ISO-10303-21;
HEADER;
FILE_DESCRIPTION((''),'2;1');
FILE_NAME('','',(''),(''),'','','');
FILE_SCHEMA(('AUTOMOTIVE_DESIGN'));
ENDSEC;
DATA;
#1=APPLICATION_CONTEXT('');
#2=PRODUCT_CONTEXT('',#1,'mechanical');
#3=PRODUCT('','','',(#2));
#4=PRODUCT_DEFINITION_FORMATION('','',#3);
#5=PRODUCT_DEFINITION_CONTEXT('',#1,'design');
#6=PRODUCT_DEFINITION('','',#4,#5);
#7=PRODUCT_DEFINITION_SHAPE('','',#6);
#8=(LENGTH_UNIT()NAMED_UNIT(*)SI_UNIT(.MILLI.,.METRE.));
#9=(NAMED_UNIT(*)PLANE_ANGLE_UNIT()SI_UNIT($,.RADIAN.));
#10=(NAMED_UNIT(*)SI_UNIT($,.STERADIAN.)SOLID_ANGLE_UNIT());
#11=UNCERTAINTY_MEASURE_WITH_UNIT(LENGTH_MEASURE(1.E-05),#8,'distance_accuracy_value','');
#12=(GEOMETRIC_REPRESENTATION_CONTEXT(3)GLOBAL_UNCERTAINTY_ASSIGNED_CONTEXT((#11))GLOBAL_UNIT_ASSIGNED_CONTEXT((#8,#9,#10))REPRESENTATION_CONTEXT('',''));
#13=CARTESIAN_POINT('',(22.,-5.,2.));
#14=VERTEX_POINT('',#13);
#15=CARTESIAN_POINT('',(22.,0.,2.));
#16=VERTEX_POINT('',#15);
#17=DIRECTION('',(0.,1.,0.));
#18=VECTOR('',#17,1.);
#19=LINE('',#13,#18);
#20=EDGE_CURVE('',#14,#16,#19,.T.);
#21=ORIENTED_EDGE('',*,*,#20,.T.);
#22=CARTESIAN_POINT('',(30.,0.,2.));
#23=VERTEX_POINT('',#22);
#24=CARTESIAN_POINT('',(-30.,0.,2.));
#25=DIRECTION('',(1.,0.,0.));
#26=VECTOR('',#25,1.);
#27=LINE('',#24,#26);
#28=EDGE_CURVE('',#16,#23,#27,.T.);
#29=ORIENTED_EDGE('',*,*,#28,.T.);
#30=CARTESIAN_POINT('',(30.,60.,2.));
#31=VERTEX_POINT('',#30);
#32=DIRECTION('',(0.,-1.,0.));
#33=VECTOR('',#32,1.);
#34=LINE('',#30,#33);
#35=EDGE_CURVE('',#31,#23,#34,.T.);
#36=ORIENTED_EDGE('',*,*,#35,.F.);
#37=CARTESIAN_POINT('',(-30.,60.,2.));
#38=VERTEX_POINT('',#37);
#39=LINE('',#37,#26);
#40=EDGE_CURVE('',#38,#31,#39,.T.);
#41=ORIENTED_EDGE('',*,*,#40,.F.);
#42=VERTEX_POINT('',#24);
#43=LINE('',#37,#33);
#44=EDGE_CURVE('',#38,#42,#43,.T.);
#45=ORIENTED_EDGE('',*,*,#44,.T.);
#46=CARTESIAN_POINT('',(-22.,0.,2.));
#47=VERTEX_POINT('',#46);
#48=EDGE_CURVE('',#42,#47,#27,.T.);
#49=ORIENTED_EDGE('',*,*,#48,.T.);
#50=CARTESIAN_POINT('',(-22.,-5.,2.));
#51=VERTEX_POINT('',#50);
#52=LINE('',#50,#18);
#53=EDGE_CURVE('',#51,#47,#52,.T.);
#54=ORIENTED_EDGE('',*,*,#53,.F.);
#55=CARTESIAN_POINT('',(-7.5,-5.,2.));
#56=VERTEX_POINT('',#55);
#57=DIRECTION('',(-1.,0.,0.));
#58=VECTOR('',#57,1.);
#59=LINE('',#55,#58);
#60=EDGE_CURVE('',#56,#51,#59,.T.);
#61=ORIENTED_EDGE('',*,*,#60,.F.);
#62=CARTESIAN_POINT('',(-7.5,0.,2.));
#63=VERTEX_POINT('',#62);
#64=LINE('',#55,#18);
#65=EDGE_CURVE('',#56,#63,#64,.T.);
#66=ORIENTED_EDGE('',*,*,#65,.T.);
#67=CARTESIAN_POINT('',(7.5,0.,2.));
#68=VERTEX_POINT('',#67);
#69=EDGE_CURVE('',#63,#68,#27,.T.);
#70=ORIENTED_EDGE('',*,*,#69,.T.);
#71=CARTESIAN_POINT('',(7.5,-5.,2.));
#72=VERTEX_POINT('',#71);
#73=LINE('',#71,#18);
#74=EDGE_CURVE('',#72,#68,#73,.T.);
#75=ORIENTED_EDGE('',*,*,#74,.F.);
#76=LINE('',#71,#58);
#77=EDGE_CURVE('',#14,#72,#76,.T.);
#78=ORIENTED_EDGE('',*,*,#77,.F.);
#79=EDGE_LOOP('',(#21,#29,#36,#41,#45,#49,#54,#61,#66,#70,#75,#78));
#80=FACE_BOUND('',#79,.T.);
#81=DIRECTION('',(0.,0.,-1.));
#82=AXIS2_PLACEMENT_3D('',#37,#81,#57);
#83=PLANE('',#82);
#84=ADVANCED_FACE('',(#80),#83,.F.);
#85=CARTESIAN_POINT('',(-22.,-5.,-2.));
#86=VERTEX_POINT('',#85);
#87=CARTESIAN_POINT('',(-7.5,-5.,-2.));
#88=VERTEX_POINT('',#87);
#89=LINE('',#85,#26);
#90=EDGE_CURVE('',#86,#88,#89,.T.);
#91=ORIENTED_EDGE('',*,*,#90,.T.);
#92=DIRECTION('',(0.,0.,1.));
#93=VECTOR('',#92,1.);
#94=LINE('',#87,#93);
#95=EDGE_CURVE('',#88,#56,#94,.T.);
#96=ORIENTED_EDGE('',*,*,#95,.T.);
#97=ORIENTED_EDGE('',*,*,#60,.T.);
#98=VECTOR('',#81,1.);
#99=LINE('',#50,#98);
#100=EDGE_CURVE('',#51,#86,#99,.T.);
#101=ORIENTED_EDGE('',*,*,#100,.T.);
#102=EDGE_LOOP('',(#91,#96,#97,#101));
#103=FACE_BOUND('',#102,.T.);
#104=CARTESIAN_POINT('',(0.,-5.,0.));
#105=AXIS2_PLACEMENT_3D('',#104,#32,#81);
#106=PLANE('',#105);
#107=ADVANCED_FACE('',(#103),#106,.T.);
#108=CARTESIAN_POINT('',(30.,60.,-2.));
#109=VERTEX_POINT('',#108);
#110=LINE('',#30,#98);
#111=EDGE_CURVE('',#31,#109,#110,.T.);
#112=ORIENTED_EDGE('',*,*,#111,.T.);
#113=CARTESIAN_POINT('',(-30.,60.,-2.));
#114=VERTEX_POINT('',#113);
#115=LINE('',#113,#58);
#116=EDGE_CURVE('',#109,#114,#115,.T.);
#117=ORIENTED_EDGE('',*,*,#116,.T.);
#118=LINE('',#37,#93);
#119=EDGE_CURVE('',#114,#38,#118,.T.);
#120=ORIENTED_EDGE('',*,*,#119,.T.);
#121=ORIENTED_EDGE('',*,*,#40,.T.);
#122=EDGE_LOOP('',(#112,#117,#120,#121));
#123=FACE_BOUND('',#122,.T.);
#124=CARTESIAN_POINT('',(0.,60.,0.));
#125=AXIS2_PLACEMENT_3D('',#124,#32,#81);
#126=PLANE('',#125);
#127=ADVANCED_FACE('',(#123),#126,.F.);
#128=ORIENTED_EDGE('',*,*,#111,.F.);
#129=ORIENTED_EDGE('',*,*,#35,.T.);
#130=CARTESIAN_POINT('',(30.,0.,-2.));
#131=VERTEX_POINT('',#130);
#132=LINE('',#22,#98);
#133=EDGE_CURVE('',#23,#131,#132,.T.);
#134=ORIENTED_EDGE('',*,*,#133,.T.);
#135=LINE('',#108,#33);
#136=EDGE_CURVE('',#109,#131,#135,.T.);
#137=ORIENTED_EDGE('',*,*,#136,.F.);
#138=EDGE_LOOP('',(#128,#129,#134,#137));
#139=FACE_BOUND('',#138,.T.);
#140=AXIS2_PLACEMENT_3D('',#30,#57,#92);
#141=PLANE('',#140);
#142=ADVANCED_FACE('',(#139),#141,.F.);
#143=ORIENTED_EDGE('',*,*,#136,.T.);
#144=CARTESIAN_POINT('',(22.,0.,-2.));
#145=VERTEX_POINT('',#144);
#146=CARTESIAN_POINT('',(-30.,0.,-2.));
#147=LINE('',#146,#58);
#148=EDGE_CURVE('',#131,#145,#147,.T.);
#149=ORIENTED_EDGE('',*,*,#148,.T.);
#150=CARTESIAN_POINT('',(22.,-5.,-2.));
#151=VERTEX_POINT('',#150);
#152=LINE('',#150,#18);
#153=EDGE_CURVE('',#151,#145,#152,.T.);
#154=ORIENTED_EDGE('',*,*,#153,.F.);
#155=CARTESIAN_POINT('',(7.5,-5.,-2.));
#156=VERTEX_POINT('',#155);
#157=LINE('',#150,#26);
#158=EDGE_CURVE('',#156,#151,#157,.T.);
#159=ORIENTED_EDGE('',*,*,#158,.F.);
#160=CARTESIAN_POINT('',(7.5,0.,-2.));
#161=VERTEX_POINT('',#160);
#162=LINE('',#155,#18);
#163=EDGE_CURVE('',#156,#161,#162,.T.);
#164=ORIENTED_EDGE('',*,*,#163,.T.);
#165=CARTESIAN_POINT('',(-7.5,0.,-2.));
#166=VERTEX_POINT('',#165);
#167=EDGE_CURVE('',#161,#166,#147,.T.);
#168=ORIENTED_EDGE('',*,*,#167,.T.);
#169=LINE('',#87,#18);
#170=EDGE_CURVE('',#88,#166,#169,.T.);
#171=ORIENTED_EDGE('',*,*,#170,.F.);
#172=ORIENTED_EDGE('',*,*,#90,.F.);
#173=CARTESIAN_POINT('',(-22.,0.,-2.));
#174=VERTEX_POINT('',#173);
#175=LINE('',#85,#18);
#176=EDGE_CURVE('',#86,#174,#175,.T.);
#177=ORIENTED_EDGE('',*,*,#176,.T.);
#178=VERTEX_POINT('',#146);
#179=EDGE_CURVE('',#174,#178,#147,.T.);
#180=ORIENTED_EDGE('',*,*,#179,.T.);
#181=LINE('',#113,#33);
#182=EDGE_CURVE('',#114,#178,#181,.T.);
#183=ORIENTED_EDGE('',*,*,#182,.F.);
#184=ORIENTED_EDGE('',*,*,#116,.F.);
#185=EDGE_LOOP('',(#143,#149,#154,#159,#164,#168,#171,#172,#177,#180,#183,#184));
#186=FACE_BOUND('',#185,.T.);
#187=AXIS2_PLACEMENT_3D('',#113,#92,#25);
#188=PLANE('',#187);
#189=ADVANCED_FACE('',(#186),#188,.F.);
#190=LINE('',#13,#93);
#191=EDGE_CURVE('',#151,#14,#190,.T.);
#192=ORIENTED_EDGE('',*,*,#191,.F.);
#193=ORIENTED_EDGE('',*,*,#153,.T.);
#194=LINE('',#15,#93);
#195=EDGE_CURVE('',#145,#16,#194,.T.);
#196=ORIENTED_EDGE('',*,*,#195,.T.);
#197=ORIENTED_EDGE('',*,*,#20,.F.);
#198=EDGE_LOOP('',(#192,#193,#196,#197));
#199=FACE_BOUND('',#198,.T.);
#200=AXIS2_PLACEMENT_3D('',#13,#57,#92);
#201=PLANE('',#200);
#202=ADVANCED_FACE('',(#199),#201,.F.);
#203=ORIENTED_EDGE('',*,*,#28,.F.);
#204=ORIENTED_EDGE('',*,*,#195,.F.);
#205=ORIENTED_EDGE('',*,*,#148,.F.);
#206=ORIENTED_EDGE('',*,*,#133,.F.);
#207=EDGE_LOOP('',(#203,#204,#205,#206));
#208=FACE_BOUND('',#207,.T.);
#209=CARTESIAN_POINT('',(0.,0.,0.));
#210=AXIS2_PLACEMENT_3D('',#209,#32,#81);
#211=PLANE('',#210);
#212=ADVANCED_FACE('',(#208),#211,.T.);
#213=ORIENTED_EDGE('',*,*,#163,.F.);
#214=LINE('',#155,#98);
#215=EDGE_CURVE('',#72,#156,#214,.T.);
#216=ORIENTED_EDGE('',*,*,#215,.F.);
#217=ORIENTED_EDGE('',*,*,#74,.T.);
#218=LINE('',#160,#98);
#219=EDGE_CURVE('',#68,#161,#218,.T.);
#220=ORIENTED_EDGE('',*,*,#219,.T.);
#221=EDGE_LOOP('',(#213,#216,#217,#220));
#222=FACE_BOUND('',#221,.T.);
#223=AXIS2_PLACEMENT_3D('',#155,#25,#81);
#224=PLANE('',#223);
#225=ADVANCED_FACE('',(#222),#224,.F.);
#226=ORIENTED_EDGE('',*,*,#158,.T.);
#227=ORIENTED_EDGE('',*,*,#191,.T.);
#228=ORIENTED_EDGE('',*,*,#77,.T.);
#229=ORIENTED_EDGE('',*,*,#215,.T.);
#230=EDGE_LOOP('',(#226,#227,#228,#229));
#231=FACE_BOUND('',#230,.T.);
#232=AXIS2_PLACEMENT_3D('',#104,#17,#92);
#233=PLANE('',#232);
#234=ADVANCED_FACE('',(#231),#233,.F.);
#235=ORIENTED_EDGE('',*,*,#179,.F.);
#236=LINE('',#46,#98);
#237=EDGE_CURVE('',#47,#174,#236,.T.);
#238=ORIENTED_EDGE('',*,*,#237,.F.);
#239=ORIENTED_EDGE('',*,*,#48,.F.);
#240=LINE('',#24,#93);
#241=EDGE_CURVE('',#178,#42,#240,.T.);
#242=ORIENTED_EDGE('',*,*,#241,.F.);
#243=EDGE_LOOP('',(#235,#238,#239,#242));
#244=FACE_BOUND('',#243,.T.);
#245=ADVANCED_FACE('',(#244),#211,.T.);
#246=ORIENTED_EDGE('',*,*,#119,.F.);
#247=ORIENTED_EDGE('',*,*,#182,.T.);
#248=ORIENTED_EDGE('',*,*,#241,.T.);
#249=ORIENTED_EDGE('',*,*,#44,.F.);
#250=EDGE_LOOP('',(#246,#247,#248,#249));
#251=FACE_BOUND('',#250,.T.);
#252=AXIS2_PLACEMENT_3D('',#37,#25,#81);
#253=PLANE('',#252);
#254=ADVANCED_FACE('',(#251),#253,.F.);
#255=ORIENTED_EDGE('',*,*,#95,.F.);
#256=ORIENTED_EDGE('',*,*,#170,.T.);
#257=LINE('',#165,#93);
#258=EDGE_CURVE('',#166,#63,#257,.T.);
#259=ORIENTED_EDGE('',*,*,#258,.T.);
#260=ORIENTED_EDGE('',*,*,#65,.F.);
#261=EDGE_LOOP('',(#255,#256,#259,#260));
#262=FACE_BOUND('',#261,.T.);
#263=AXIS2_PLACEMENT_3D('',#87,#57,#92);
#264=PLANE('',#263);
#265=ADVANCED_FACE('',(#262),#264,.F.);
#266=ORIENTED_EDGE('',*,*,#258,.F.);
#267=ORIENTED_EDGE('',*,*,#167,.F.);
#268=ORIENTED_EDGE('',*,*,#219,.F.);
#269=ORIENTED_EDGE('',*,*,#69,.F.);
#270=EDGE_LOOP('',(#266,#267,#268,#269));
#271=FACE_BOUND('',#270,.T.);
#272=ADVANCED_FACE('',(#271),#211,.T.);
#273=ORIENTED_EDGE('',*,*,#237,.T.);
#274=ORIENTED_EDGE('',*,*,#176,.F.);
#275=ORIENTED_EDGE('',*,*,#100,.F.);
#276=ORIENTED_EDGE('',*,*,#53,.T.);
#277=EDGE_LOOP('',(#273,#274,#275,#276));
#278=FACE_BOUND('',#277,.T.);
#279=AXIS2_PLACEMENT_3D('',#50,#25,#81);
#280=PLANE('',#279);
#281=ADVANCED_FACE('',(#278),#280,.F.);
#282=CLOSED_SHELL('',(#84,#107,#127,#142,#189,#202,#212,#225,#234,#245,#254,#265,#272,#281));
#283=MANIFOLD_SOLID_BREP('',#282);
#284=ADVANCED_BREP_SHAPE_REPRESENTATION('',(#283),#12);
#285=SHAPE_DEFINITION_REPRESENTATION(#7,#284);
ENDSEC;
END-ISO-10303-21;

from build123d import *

# Parameters (mm, degrees)
SKETCH1_W           = 60
SKETCH1_H           = 4
BOSS_EXTRUDE1_DEPTH = 60
SKETCH2_W           = 14.5
SKETCH2_H           = 4
BOSS_EXTRUDE2_DEPTH = 5


with BuildPart() as part:
    # Sketch1 → Boss-Extrude1 (new body)
    with BuildSketch(Plane(origin=(0, 0, 0), x_dir=(1, 0, 0), z_dir=(0, 1, 0))):
        Rectangle(SKETCH1_W, SKETCH1_H)
    extrude(amount=BOSS_EXTRUDE1_DEPTH)

    # Sketch2 → Boss-Extrude2 (add)
    with BuildSketch(Plane(origin=(0, 0, 0), x_dir=(-1, 0, 0), z_dir=(0, -1, 0))):
        with Locations((14.75, 0)):
            Rectangle(SKETCH2_W, SKETCH2_H)
        with Locations((-14.75, 0)):
            Rectangle(SKETCH2_W, SKETCH2_H)
    extrude(amount=BOSS_EXTRUDE2_DEPTH)


solid = part.part
